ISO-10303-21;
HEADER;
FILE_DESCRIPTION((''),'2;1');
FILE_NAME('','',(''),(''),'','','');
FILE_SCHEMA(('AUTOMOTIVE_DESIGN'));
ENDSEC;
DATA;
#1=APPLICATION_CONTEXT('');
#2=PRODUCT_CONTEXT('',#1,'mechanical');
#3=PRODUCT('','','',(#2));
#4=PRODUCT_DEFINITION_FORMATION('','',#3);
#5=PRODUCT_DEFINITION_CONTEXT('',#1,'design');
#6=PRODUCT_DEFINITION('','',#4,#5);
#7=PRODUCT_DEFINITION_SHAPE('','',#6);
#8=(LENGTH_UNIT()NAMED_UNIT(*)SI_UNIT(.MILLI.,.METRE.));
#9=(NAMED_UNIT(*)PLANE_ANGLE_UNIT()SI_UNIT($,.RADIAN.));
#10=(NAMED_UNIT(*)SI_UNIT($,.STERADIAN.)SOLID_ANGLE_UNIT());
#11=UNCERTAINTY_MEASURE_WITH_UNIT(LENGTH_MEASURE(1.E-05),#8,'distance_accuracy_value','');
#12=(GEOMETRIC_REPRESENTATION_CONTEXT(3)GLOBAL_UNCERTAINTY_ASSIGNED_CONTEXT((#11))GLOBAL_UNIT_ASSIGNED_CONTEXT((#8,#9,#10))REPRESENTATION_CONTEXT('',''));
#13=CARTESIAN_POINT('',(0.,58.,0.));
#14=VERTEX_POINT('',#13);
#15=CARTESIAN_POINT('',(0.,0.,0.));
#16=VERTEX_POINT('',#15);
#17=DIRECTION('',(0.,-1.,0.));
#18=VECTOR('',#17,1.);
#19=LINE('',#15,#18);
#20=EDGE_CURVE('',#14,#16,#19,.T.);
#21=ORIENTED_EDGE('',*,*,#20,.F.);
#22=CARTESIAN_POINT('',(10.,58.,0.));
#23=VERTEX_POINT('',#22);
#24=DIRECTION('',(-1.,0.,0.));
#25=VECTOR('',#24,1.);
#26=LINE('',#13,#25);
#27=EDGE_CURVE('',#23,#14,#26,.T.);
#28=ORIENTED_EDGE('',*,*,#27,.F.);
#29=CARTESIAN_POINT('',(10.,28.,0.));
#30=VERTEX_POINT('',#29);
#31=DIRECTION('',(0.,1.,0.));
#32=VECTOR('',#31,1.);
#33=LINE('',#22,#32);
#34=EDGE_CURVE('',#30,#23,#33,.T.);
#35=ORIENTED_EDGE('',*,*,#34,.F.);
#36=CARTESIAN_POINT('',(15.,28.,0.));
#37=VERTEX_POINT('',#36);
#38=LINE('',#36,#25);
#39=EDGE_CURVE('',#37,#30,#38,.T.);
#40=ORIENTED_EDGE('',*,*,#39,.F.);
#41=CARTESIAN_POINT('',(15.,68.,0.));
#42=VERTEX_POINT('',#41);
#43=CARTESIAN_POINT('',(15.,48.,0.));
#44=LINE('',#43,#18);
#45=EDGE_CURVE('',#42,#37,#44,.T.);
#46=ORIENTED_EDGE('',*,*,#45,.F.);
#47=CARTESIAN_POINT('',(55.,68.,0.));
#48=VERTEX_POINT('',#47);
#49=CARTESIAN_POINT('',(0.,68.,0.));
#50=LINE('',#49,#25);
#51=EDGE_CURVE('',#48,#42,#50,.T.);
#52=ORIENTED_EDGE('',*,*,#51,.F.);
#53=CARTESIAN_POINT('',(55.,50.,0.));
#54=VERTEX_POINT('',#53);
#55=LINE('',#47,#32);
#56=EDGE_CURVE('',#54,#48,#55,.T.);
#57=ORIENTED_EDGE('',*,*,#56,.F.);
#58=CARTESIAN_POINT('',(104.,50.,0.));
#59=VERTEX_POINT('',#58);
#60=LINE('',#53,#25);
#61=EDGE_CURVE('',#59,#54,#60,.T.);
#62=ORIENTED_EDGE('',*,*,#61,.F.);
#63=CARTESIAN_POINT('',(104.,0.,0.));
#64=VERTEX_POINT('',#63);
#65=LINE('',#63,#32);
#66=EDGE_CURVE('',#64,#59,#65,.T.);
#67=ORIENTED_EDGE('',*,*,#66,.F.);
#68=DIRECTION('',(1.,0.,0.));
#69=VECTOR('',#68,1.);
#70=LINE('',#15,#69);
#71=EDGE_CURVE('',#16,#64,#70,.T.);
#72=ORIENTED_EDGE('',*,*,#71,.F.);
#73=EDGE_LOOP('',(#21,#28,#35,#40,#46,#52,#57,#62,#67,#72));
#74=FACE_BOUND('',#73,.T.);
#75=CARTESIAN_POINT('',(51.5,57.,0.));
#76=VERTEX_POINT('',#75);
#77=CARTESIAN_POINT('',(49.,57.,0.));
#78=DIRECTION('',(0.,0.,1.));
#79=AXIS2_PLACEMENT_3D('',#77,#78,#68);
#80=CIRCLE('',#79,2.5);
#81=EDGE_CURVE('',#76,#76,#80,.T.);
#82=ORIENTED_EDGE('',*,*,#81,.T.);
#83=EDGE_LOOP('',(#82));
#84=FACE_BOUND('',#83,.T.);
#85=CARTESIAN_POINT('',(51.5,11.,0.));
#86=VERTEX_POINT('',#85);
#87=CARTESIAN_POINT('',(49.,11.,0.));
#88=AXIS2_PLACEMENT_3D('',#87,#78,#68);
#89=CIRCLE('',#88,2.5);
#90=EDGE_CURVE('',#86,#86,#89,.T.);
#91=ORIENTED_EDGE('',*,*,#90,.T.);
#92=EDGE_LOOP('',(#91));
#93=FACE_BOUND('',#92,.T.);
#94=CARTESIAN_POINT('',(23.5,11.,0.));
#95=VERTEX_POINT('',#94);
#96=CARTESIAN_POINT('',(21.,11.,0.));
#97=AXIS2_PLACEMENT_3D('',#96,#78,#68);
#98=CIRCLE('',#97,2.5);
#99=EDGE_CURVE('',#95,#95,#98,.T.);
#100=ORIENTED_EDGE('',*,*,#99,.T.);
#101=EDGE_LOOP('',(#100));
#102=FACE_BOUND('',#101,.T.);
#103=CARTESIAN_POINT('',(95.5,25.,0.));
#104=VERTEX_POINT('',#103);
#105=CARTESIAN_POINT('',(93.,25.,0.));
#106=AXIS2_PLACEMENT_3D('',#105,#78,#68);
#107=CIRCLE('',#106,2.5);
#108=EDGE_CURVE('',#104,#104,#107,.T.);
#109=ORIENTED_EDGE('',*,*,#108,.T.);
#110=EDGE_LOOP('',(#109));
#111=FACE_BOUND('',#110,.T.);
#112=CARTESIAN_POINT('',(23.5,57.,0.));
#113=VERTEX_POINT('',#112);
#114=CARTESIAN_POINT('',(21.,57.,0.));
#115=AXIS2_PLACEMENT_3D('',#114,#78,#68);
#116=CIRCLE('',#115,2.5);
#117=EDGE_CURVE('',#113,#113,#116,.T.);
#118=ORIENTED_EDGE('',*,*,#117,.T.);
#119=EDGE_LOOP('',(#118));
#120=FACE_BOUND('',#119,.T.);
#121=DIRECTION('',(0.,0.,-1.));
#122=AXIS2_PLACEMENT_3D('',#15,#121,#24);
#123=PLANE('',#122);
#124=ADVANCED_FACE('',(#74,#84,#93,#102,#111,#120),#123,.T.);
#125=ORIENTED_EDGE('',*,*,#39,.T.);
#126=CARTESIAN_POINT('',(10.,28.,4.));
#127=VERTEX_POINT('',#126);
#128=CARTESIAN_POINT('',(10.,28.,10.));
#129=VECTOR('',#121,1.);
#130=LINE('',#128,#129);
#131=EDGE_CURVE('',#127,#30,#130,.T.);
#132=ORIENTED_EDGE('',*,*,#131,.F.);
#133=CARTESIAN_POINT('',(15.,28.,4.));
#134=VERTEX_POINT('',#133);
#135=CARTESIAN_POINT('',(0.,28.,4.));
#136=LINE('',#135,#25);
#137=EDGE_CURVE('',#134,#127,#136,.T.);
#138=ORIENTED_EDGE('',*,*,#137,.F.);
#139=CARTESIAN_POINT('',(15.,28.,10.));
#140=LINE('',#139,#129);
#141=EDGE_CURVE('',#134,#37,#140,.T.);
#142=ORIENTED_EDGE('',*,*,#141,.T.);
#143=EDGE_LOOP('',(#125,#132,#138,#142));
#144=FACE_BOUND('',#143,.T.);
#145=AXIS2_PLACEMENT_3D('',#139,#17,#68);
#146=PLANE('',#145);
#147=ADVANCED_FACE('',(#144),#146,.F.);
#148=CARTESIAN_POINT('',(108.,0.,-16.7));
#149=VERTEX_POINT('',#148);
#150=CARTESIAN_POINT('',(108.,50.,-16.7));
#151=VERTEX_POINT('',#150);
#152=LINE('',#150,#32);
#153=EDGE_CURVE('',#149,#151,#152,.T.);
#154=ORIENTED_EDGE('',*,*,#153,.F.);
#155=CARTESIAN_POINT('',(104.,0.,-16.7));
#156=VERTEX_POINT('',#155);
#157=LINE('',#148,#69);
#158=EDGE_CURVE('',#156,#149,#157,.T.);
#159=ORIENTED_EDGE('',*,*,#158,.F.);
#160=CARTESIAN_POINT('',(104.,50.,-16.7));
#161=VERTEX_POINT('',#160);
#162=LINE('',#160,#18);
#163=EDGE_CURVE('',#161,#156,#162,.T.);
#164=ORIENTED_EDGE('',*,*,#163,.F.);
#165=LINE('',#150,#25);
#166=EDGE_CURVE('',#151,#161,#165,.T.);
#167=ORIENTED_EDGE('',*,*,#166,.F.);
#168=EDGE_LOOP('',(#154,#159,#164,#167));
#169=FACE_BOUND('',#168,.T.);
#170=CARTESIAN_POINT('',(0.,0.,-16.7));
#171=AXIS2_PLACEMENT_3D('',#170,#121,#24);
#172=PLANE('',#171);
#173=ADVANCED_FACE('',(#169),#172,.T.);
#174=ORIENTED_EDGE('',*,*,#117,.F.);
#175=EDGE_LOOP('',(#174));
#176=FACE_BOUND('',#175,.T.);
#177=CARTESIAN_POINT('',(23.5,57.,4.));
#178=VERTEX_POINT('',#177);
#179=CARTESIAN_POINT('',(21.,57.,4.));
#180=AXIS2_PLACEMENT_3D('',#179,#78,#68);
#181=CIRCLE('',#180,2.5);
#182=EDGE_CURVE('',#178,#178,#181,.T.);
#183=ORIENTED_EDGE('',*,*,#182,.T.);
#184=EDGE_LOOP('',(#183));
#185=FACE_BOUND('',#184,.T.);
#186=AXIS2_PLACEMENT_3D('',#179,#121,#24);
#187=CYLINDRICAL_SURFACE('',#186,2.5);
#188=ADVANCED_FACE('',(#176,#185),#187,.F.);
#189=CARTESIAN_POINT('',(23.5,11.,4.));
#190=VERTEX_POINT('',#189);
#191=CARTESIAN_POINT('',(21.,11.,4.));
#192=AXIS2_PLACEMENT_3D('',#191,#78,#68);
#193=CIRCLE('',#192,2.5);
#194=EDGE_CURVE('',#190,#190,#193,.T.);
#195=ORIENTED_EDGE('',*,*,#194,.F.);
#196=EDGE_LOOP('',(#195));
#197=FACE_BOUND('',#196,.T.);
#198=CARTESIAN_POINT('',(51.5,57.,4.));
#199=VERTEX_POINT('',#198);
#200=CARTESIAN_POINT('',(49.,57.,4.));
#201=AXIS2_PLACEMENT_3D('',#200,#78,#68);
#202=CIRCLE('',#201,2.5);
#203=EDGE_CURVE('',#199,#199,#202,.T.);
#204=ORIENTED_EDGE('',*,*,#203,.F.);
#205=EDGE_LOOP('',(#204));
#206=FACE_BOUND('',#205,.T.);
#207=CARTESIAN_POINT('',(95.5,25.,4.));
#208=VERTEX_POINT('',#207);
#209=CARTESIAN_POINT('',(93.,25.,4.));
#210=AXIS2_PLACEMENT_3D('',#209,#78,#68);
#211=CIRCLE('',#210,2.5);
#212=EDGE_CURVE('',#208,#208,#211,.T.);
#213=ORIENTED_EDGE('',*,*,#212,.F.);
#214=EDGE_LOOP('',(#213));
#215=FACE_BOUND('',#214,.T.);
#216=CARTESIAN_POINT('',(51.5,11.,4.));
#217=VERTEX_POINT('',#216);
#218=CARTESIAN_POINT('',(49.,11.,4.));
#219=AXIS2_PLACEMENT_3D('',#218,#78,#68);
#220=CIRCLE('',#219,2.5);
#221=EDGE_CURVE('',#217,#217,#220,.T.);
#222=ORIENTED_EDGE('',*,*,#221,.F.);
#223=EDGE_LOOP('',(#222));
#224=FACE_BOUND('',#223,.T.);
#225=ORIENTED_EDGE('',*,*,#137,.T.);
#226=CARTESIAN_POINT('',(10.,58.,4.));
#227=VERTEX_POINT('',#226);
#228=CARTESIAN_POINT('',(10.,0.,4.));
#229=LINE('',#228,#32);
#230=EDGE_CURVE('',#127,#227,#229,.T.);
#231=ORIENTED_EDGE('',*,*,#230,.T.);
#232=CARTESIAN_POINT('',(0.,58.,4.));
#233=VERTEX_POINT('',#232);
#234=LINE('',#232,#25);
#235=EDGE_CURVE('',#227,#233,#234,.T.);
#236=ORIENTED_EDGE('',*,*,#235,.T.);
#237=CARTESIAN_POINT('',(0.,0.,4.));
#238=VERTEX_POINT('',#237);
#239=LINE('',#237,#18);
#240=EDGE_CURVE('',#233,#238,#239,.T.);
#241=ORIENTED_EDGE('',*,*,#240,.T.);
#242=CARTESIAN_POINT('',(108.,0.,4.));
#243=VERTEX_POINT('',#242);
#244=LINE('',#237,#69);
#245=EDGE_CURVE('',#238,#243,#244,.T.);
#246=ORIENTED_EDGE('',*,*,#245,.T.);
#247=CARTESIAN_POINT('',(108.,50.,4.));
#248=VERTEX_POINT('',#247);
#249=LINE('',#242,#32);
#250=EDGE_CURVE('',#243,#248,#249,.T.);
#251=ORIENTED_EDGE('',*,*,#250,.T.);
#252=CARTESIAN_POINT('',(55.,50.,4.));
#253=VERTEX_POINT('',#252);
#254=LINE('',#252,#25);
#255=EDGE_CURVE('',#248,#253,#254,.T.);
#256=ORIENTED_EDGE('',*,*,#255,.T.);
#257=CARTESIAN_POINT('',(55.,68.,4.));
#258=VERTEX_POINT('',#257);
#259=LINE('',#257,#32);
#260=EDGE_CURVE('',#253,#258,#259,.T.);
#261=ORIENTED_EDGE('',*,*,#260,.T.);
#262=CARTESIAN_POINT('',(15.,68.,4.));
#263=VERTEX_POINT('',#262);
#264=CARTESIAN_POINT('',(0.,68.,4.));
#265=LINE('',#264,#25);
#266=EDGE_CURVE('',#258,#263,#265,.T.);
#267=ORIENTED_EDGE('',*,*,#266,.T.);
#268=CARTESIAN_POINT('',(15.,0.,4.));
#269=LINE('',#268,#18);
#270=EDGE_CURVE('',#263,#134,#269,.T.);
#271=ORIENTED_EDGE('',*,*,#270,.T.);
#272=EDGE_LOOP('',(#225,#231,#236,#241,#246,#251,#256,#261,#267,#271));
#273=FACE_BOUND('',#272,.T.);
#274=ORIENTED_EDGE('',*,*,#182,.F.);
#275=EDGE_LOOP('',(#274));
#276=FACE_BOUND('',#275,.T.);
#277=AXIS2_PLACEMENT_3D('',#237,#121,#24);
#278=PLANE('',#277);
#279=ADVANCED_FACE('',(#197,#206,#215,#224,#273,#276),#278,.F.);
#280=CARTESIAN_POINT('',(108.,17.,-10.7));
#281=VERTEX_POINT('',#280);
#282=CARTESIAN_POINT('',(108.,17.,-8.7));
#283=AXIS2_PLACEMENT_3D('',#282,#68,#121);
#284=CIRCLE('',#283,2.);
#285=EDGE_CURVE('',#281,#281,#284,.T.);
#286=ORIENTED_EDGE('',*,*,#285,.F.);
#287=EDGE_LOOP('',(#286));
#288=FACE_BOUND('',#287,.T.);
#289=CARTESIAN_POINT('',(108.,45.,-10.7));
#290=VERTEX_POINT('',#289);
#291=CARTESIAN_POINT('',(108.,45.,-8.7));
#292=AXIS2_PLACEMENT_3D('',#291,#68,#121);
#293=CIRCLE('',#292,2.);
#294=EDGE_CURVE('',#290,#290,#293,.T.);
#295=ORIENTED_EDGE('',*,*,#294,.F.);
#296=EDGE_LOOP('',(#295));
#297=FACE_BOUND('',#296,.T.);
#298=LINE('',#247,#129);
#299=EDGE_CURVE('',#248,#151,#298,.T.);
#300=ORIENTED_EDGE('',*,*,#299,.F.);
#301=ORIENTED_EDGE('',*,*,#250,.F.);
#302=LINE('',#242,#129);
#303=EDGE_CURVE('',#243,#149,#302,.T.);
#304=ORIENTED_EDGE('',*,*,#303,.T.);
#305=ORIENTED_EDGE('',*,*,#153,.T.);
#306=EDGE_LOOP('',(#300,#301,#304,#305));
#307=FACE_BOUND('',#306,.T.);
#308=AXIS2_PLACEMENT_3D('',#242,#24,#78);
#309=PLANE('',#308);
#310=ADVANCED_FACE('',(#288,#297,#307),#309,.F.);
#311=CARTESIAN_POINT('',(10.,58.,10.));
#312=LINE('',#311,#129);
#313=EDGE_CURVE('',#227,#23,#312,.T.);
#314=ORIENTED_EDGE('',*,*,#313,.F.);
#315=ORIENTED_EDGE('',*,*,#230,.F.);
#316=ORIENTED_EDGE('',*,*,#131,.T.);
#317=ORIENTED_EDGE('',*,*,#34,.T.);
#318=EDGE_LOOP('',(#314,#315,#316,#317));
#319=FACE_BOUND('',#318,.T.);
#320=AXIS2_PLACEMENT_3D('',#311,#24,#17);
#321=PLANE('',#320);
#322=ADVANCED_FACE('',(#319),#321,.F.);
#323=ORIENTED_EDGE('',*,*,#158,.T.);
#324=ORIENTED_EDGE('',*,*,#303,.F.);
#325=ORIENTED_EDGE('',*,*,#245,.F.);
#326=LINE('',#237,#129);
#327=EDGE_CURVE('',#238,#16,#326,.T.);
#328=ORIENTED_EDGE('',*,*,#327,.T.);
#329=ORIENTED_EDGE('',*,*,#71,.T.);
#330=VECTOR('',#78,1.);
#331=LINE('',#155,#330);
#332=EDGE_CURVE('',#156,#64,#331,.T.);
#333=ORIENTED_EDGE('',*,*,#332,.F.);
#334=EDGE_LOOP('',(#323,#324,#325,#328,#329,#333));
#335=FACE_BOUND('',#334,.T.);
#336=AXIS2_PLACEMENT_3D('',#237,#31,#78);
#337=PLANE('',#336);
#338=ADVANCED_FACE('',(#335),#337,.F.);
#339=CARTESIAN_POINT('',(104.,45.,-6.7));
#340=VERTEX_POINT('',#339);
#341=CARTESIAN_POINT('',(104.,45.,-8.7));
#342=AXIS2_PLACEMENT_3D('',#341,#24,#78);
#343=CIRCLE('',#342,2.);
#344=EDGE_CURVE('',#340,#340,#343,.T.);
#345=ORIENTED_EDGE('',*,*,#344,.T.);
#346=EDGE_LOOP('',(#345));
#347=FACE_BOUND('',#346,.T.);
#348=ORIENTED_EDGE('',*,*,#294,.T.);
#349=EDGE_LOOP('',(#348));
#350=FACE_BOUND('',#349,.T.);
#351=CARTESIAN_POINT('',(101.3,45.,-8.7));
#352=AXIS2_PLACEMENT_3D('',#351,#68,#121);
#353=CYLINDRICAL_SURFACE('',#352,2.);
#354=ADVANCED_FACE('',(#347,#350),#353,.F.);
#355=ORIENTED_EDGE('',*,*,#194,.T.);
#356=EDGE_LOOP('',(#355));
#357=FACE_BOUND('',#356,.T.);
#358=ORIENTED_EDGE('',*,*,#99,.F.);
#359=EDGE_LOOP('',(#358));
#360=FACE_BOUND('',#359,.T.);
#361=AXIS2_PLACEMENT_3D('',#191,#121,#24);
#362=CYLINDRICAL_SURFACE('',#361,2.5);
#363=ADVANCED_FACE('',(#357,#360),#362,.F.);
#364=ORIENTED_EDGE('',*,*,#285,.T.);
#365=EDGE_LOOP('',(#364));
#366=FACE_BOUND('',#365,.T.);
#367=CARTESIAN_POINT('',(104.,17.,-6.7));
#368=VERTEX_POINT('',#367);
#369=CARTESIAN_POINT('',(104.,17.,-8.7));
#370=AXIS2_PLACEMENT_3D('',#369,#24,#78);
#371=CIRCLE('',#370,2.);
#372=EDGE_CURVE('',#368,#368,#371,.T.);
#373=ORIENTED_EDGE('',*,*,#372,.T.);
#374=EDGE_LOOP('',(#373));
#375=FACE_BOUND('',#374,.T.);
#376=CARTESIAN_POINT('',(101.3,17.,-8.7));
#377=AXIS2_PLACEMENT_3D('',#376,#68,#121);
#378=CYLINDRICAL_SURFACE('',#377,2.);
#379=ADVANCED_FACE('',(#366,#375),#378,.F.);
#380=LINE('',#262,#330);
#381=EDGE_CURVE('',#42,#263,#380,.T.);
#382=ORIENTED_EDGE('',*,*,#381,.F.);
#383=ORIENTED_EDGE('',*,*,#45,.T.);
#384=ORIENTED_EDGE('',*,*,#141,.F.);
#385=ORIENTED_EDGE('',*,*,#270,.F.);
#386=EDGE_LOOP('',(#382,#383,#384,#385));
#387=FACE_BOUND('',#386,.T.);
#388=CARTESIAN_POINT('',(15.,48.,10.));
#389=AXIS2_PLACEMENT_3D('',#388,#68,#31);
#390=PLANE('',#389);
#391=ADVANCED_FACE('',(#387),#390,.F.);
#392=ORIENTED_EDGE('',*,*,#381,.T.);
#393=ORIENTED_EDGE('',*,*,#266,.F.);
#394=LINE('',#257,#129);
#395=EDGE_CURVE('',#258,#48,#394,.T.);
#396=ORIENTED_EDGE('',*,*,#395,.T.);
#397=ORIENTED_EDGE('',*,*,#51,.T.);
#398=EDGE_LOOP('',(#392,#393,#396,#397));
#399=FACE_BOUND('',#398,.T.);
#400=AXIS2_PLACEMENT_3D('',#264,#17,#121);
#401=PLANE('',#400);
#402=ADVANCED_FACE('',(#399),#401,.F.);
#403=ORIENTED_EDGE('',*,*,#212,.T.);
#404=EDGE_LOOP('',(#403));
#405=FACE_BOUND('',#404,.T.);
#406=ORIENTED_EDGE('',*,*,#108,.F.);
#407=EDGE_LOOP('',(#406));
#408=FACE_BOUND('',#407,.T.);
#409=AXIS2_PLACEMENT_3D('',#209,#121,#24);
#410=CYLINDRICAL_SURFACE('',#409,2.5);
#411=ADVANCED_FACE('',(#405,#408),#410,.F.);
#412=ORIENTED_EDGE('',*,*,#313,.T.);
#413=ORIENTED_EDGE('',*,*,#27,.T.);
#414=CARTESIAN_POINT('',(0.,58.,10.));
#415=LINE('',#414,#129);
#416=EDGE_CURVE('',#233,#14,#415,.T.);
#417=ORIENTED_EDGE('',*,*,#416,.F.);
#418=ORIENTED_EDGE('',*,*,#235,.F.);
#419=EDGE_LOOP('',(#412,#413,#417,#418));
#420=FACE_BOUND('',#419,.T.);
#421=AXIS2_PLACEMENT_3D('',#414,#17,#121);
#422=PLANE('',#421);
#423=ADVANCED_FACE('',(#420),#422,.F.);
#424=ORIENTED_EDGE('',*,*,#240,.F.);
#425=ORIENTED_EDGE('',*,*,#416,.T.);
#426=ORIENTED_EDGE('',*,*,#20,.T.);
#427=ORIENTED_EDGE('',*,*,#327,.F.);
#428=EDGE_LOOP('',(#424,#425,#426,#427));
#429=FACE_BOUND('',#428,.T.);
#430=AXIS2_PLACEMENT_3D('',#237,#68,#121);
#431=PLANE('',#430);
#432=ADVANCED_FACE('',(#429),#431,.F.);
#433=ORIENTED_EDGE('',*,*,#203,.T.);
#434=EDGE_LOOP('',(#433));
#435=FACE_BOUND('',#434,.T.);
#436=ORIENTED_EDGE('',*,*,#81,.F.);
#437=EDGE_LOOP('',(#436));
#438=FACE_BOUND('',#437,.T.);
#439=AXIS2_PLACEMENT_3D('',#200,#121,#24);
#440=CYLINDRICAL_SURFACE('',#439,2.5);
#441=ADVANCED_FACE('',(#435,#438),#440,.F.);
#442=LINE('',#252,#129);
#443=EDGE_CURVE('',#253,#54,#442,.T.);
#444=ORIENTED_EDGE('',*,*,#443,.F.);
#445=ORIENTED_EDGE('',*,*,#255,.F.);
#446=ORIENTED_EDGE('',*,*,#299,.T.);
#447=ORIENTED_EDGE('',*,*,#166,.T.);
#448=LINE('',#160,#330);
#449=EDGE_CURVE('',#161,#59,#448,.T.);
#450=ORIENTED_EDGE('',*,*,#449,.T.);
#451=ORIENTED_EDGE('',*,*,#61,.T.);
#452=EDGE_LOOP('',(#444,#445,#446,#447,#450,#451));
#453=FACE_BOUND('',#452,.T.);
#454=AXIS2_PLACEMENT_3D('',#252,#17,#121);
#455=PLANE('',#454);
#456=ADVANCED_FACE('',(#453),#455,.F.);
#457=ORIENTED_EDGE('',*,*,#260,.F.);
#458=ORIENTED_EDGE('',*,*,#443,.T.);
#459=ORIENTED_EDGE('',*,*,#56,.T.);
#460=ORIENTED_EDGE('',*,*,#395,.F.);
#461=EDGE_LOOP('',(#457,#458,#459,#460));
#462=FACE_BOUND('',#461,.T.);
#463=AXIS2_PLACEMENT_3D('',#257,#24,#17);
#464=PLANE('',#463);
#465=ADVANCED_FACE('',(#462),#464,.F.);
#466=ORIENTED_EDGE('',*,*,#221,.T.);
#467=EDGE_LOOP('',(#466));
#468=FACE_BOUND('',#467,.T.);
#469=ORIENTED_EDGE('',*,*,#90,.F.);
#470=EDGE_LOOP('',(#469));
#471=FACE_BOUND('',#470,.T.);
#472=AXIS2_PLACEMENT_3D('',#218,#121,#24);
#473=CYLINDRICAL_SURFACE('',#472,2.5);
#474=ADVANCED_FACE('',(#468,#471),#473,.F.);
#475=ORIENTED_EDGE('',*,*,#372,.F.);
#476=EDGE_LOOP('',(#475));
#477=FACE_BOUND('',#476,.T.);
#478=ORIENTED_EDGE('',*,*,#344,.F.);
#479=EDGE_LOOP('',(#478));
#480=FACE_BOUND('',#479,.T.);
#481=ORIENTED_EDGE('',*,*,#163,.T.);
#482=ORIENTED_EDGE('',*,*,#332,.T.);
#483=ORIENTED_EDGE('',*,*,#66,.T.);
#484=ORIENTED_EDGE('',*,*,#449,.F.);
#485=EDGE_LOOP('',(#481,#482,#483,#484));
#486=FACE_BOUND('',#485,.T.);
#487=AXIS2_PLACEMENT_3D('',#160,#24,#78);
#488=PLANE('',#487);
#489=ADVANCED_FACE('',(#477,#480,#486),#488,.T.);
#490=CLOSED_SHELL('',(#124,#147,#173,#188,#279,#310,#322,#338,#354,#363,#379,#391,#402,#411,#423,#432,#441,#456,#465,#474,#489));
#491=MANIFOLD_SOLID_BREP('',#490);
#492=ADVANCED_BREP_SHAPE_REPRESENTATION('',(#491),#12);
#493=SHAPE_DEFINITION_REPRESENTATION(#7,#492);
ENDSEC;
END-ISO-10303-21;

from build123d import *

# Parameters (mm, degrees)
SKETCH_1_R          = 2.5
EXTRUDE_1_DEPTH     = 4
SKETCH_2_W          = 4
SKETCH_2_H          = 50
EXTRUDE_2_DEPTH     = 20.7
SKETCH_3_R          = 2
CUT_EXTRUDE_1_DEPTH = 6.7
CUT_EXTRUDE_2_DEPTH = 10


with BuildPart() as part:
    # Эскиз1 → Бобышка-Вытянуть1 (new body)
    with BuildSketch(Plane.XY):
        Polygon((0, 0), (108, 0), (108, 50), (55, 50), (55, 68), (0, 68), align=None)
        with Locations((21, 57)):
            Circle(SKETCH_1_R, mode=Mode.SUBTRACT)
        with Locations((49, 57)):
            Circle(SKETCH_1_R, mode=Mode.SUBTRACT)
        with Locations((21, 11)):
            Circle(SKETCH_1_R, mode=Mode.SUBTRACT)
        with Locations((49, 11)):
            Circle(SKETCH_1_R, mode=Mode.SUBTRACT)
        with Locations((93, 25)):
            Circle(SKETCH_1_R, mode=Mode.SUBTRACT)
    extrude(amount=EXTRUDE_1_DEPTH)

    # Эскиз2 → Бобышка-Вытянуть2 (add)
    with BuildSketch(Plane.XY.offset(4)):
        with Locations((106, 25)):
            Rectangle(SKETCH_2_W, SKETCH_2_H)
    extrude(amount=-EXTRUDE_2_DEPTH)

    # Эскиз3 → Вырез-Вытянуть1 (cut)
    with BuildSketch(Plane(origin=(108, 0, 0), x_dir=(0, 0, -1), z_dir=(1, 0, 0))):
        with Locations((8.7, 45)):
            Circle(SKETCH_3_R)
        with Locations((8.7, 17)):
            Circle(SKETCH_3_R)
    extrude(amount=-CUT_EXTRUDE_1_DEPTH, mode=Mode.SUBTRACT)

    # Эскиз4 → Вырез-Вытянуть2 (cut)
    with BuildSketch(Plane(origin=(0, 0, 0), x_dir=(-1, 0, 0), z_dir=(0, 0, -1))):
        Polygon((0, 68), (-15, 68), (-15, 48), (-15, 28), (-10, 28), (-10, 58), (0, 58), align=None)
    extrude(amount=-CUT_EXTRUDE_2_DEPTH, mode=Mode.SUBTRACT)


solid = part.part
